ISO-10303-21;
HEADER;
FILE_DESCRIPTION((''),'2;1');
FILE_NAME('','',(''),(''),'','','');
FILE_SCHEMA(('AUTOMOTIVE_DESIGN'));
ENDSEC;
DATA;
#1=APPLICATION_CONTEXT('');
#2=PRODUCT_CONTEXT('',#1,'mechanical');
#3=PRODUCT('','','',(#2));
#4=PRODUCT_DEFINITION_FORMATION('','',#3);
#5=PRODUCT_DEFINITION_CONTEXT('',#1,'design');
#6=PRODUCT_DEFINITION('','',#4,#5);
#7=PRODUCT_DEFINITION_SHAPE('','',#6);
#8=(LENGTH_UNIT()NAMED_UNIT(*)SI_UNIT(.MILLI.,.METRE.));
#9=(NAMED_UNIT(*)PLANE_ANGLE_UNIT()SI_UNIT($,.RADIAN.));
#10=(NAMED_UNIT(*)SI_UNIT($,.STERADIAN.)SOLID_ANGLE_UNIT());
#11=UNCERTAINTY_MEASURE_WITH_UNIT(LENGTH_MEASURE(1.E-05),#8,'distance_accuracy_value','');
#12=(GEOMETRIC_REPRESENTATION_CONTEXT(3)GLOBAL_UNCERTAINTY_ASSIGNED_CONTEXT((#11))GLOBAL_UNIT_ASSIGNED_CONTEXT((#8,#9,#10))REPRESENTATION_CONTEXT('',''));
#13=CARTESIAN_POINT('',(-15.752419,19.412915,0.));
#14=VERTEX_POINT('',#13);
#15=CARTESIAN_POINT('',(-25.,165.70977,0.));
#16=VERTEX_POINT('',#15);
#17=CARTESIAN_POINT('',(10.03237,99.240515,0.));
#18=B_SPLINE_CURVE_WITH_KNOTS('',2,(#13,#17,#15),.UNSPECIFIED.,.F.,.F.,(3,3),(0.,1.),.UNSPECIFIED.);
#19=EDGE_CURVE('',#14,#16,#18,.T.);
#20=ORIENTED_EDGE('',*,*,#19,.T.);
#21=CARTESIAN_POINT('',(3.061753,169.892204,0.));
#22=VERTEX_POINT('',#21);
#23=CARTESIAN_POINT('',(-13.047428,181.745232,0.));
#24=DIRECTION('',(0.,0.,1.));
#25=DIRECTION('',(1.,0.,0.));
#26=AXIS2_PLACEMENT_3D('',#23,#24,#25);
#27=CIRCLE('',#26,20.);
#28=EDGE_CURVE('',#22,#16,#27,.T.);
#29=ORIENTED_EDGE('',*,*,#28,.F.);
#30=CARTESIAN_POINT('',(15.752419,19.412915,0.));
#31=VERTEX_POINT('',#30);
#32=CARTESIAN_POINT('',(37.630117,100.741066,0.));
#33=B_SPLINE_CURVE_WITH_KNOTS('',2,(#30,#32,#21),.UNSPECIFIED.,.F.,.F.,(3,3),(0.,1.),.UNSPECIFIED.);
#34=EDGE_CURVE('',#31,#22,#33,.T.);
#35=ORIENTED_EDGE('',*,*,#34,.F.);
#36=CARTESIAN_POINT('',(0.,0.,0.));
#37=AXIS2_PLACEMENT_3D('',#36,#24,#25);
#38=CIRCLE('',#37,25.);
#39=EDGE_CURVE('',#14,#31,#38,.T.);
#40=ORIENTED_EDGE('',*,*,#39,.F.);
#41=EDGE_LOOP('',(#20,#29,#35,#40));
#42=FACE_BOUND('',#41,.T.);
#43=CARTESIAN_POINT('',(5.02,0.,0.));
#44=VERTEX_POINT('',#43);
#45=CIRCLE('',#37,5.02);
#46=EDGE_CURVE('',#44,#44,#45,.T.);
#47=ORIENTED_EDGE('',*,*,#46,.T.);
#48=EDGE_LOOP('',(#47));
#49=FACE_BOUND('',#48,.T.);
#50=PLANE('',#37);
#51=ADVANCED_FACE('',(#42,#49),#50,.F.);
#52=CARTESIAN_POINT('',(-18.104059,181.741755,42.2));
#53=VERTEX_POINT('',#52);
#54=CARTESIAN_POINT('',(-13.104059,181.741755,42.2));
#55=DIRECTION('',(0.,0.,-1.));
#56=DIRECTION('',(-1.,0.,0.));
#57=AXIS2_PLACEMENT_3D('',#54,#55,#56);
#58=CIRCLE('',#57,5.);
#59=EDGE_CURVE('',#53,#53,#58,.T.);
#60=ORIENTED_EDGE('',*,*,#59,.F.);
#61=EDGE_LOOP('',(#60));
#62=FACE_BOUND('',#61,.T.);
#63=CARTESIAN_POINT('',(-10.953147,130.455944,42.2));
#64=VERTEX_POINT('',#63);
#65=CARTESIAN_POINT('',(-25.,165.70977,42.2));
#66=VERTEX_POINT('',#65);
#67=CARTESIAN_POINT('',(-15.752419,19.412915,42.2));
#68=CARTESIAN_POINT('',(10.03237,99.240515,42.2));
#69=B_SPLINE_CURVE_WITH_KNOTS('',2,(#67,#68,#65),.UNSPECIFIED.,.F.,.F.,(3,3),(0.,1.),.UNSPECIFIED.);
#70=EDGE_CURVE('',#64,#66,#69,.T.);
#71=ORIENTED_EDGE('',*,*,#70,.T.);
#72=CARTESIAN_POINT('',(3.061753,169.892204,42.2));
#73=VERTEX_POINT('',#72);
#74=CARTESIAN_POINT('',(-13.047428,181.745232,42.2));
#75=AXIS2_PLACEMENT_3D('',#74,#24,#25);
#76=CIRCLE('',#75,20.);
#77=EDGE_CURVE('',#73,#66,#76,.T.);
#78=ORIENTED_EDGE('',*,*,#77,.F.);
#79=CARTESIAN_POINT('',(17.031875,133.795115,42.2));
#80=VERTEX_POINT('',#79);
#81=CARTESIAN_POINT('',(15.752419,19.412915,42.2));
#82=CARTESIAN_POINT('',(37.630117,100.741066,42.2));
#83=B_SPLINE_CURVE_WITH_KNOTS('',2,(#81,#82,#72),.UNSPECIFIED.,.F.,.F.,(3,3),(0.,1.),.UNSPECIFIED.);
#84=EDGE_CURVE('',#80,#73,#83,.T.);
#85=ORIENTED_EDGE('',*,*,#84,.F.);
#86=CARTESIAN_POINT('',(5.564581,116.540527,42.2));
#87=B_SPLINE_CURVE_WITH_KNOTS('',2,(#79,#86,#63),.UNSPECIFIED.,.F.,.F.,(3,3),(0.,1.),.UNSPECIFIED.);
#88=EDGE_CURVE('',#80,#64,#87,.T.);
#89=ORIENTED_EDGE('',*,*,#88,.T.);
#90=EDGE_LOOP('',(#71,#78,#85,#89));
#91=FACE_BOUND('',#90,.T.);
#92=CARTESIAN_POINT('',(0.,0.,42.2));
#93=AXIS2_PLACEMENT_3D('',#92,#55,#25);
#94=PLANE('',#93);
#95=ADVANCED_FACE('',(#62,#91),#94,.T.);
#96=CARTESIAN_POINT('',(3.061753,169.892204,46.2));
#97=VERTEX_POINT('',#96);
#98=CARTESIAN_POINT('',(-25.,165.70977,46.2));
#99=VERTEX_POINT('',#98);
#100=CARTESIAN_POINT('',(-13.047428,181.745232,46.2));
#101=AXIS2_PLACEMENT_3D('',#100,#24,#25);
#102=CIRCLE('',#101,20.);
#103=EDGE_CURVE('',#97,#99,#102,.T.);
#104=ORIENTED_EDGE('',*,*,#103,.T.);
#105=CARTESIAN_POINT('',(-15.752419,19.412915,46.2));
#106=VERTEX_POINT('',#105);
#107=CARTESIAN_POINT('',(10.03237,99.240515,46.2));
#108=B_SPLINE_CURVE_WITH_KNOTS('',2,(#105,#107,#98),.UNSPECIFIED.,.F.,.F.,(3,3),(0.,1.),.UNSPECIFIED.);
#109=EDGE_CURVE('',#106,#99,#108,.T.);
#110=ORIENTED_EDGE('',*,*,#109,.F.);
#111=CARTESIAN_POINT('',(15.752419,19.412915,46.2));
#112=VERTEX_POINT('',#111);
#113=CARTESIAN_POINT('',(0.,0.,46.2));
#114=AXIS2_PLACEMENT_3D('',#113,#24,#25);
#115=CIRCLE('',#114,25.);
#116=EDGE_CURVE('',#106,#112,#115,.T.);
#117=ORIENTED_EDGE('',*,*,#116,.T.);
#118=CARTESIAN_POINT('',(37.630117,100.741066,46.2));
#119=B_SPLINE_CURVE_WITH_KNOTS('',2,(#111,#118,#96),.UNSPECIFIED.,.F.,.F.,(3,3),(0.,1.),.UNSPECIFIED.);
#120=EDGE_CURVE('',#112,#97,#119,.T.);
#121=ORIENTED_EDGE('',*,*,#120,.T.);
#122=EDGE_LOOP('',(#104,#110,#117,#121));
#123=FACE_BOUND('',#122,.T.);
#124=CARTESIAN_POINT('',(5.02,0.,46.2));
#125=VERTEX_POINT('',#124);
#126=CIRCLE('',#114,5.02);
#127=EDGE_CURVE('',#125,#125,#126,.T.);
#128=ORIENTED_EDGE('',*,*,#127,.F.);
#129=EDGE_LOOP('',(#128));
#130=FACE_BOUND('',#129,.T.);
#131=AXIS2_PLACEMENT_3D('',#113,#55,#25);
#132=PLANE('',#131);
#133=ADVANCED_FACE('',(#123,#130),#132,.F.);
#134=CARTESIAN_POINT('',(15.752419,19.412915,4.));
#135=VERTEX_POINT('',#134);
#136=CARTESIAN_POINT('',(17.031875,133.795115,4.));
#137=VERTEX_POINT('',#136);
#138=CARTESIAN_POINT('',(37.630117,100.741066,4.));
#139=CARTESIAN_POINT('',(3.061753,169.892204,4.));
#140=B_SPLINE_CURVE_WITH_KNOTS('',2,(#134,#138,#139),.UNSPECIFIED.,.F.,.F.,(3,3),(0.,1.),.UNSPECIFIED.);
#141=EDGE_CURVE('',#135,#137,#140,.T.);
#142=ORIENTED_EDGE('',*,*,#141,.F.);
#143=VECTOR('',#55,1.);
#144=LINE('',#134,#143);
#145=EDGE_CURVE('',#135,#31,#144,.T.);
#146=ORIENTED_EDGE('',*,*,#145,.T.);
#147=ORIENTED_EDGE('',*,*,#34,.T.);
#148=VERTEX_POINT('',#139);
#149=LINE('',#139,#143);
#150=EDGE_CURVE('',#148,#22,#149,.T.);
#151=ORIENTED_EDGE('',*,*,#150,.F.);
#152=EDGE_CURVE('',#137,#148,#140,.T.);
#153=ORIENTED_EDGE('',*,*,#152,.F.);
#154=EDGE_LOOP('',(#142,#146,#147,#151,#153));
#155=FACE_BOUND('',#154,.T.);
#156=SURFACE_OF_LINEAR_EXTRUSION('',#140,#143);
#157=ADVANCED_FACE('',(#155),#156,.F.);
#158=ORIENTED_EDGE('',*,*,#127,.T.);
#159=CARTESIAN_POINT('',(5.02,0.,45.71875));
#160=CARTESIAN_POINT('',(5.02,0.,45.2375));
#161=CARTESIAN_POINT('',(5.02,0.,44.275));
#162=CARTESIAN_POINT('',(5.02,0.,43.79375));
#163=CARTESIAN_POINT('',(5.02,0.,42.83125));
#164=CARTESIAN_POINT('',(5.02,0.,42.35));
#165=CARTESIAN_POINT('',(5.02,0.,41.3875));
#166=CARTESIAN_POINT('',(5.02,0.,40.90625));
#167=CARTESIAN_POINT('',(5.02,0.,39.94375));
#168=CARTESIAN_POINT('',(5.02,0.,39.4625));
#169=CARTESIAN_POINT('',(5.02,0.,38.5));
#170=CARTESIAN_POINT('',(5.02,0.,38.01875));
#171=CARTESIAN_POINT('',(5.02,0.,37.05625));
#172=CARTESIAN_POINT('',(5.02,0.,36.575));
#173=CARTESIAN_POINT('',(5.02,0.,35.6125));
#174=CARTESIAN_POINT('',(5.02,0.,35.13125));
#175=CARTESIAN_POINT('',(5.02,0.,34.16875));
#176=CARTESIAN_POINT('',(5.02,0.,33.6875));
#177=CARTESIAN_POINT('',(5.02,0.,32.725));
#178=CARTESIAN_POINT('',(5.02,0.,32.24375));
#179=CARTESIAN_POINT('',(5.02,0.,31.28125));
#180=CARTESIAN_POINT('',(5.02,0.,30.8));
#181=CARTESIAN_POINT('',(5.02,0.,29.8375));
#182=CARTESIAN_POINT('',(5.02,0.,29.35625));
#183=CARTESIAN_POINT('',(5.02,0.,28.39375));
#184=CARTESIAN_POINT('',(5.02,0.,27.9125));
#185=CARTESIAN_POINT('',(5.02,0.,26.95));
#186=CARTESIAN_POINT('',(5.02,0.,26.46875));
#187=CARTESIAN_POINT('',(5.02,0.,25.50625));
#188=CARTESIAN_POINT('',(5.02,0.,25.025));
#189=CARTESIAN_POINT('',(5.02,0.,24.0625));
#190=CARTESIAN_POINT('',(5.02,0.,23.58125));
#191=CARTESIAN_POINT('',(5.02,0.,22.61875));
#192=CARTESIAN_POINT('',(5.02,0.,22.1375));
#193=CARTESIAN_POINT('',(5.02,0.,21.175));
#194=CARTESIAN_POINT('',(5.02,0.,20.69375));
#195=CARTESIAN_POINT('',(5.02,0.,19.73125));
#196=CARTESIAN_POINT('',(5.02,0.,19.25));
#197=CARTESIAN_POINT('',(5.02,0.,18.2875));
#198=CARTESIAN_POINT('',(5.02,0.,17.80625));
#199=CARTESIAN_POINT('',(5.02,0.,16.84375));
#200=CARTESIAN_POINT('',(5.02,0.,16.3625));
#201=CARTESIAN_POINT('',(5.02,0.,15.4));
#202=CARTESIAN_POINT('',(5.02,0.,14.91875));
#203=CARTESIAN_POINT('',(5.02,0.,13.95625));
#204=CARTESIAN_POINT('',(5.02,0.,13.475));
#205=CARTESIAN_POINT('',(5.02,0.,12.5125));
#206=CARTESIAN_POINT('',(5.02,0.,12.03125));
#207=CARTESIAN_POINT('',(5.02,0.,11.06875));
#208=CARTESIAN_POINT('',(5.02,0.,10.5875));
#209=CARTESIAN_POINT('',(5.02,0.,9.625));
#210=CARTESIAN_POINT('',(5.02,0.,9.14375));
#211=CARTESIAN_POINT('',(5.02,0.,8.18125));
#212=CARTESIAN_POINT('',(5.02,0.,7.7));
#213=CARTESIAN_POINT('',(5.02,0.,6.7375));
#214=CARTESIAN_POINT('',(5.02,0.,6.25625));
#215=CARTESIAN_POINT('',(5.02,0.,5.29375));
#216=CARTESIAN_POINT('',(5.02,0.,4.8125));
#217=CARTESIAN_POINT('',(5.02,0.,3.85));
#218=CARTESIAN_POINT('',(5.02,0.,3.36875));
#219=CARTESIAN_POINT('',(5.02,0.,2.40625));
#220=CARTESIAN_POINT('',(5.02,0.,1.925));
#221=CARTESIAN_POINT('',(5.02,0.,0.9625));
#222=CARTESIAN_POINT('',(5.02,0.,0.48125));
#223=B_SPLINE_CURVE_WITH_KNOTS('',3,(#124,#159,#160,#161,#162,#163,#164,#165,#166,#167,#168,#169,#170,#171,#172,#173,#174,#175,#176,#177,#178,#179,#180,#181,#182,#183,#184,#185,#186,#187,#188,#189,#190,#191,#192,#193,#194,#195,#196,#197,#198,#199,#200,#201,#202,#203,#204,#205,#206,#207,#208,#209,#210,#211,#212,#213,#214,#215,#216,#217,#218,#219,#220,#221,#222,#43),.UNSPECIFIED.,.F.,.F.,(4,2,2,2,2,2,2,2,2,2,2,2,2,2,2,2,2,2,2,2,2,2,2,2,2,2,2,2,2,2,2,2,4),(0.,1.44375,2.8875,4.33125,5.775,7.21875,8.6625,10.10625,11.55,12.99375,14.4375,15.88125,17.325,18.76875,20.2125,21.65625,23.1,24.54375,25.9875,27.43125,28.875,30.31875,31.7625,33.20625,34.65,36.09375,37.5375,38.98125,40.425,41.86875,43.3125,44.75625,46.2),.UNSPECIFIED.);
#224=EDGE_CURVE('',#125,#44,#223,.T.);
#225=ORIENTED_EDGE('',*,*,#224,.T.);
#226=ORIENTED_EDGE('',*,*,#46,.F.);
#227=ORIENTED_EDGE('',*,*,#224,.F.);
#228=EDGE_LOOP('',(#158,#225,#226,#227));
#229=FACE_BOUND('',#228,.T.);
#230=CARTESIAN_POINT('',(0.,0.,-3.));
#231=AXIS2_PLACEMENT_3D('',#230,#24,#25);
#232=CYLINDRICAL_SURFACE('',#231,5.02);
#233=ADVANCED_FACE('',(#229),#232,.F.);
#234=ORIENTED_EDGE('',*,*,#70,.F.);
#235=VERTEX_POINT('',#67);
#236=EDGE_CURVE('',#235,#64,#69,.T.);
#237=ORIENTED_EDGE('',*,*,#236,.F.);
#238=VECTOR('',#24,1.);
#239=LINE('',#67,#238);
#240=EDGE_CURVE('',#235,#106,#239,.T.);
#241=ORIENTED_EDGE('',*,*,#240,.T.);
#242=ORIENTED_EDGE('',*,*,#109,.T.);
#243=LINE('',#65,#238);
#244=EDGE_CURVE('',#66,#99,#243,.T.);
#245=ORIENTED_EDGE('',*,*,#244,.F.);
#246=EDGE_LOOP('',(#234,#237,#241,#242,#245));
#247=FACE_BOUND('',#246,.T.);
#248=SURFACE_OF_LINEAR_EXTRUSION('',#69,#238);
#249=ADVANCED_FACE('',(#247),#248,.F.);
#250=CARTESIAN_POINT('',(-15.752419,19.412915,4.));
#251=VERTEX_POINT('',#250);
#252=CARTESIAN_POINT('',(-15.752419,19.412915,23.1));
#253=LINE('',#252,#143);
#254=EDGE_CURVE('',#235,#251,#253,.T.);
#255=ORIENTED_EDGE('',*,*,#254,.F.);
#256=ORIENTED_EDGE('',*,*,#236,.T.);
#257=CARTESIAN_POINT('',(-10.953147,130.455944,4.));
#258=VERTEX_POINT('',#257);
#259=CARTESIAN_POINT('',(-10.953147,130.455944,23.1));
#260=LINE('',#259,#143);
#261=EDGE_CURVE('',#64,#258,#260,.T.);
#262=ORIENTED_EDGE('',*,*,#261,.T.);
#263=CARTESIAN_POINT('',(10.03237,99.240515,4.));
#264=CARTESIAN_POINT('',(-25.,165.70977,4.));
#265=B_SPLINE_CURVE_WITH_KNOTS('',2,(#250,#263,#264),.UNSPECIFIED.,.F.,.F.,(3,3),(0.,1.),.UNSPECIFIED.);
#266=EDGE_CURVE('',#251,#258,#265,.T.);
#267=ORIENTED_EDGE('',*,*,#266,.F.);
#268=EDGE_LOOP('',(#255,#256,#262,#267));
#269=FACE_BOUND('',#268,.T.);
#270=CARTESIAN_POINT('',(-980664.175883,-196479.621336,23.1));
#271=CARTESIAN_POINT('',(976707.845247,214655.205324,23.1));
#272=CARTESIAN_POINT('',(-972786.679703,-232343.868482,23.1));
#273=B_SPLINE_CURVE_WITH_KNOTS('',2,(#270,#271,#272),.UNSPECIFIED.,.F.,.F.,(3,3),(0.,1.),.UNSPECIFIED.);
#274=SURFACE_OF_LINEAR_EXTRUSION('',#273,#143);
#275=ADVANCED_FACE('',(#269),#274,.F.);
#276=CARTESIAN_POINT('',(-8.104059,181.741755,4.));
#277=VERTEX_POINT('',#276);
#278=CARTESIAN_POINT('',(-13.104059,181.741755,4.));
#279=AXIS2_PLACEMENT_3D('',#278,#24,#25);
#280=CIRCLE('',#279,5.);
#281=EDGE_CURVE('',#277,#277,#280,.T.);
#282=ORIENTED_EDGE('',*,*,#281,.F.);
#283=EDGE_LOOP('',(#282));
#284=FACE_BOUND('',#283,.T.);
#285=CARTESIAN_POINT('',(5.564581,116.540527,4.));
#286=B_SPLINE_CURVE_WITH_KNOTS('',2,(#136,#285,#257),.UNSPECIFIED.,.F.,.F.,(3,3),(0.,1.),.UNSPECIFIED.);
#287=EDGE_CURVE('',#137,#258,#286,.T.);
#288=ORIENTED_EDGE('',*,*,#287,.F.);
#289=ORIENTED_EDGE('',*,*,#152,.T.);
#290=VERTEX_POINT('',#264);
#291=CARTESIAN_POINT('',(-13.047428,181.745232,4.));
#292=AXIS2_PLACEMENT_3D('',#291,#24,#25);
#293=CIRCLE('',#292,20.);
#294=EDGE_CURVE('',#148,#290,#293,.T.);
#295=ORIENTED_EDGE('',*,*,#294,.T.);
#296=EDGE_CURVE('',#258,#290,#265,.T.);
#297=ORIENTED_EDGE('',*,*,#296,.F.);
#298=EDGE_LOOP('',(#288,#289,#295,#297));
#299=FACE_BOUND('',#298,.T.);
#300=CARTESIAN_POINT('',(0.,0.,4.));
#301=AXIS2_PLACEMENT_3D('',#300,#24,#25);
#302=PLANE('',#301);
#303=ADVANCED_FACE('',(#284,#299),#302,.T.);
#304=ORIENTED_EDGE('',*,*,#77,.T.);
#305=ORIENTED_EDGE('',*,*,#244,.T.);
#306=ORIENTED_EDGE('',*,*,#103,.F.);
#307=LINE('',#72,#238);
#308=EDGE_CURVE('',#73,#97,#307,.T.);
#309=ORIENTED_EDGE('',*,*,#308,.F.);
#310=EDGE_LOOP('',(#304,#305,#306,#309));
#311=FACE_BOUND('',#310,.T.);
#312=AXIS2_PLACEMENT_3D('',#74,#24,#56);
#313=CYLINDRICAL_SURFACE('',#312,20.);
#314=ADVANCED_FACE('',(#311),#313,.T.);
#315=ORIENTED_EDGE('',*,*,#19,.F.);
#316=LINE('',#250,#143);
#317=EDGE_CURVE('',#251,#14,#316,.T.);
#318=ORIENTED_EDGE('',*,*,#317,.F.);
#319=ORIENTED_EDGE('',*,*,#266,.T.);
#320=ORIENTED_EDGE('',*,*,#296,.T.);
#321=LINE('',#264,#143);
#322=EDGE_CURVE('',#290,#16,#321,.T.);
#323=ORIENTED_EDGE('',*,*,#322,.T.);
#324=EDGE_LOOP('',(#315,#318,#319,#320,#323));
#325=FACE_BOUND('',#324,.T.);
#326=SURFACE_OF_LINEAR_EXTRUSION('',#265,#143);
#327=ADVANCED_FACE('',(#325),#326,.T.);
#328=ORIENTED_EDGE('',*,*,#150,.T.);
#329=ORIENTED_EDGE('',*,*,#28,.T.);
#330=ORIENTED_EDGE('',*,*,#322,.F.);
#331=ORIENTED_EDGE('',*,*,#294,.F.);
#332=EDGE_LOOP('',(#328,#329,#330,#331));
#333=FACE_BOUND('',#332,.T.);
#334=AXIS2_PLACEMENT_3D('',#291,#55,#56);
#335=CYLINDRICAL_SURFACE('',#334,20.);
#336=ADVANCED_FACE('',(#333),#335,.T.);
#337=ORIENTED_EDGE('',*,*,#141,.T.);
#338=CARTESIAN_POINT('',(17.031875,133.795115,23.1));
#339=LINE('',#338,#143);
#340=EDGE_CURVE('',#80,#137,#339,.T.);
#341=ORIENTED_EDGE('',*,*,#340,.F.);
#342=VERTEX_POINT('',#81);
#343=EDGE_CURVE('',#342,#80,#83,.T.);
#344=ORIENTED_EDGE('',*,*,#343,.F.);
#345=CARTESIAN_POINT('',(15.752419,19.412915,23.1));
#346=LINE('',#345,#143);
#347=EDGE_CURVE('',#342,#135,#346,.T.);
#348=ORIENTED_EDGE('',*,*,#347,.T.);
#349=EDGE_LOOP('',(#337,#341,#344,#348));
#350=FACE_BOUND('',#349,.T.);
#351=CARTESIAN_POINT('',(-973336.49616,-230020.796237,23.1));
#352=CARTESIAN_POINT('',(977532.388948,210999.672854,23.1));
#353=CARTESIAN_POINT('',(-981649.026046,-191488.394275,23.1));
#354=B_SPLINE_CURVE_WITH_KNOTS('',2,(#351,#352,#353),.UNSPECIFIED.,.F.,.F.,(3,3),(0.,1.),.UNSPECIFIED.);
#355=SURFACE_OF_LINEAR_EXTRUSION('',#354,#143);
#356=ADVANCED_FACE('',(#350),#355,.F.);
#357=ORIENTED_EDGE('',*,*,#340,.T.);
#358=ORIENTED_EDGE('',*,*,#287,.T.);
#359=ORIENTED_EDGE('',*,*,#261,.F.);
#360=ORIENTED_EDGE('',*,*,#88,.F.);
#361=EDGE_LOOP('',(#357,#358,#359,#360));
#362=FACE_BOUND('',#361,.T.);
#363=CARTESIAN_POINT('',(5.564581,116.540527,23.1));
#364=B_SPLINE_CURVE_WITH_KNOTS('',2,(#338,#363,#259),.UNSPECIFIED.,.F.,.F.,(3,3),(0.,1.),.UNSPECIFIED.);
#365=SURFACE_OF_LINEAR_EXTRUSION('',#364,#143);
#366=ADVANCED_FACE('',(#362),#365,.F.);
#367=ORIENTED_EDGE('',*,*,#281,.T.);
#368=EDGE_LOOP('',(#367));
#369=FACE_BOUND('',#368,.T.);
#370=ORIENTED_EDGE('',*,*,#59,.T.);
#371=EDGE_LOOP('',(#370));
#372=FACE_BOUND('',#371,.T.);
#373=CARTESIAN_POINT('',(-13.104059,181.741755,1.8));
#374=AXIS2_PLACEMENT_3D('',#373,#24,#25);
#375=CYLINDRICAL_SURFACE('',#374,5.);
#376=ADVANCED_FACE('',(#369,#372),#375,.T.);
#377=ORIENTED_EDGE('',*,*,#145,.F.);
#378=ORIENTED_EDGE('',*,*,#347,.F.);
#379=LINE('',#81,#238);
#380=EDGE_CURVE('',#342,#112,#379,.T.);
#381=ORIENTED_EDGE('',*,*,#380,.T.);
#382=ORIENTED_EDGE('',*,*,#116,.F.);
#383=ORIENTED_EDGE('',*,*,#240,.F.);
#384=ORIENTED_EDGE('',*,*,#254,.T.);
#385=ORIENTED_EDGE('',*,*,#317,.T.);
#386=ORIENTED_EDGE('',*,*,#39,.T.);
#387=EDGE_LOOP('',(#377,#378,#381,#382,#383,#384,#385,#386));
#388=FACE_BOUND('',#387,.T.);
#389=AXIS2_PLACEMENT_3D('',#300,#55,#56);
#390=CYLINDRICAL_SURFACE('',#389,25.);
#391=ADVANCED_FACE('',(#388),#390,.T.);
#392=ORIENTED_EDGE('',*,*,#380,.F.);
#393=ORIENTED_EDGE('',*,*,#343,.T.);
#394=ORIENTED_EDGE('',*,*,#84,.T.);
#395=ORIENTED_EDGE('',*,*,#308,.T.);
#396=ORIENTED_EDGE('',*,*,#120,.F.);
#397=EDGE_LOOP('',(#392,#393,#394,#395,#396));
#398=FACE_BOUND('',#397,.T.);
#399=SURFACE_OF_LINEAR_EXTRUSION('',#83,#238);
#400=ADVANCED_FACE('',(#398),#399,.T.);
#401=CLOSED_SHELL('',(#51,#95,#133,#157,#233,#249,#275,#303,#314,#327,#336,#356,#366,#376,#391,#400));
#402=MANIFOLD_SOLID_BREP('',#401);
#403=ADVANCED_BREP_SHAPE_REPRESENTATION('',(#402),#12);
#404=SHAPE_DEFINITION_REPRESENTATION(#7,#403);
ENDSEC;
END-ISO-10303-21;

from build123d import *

# Parameters (mm, degrees)
SKETCH1_R                = 20
SKETCH1_R_2              = 25
BOSS_EXTRUDE1_DEPTH      = 4
BOSS_EXTRUDE2_DEPTH      = 19.1
SKETCH5_R                = 5.02
CUT_EXTRUDE1_DEPTH       = 49.2
SKETCH7_R                = 5
BOSS_EXTRUDE4_DEPTH      = 40.2
BOSS_EXTRUDE4_DEPTH_BACK = 2.2


with BuildPart() as part:
    # Sketch1 → Boss-Extrude1 (new body)
    with BuildSketch(Plane.XY):
        with Locations((-13.047428352, 181.745231989)):
            Circle(SKETCH1_R)
        with BuildLine():
            ThreePointArc((-15.752419285, 19.412915461), (0, 25), (15.752419285, 19.412915461))
            add(Edge.make_bspline(
                [(15.752419285, 19.412915461), (37.630116676, 100.741066361), (3.061753137, 169.892204032)],
                knots=[0, 0, 0, 1, 1, 1], degree=2))
            ThreePointArc((3.061753137, 169.892204032), (-10.099117092, 161.963739105), (-25, 165.709770319))
            add(Edge.make_bspline(
                [(-15.752419285, 19.412915461), (10.03237034, 99.240514814), (-25, 165.709770319)],
                knots=[0, 0, 0, 1, 1, 1], degree=2))
        make_face()
        Circle(SKETCH1_R_2)
    extrude(amount=BOSS_EXTRUDE1_DEPTH)

    # Sketch4 → Boss-Extrude2 (add)
    with BuildSketch(Plane.XY.offset(4)):
        with BuildLine():
            ThreePointArc((-15.752419292, 19.412915437), (1e-08, -24.999999987), (15.752419285, 19.412915461))
            add(Edge.make_bspline(
                [(15.752419285, 19.412915461), (32.045521078, 79.98089104), (17.031874688, 133.795114798)],
                knots=[0, 0, 0, 1, 1, 1], degree=2))
            add(Edge.make_bspline(
                [(-10.953146695, 130.455943826), (5.564580589, 116.540527234), (17.031874688, 133.795114798)],
                knots=[0, 0, 0, 1, 1, 1], degree=2))
            add(Edge.make_bspline(
                [(-10.953146695, 130.455943826), (3.367631556, 78.60702873), (-15.752419292, 19.412915437)],
                knots=[0, 0, 0, 1, 1, 1], degree=2))
        make_face()
    extrude(amount=BOSS_EXTRUDE2_DEPTH)

    # Mirror18: part across plane


with BuildPart() as part_1:
    add(part.part)
    add(part.part.mirror(Plane(origin=(4.301972293, 124.333028273, 23.1), x_dir=(1, 0, 0), z_dir=(0, 0, -1))))

    # Sketch5 → Cut-Extrude1 (cut)
    with BuildSketch(Plane.XY.offset(46.2)):
        Circle(SKETCH5_R)
    extrude(amount=-CUT_EXTRUDE1_DEPTH, mode=Mode.SUBTRACT)

    # Sketch7 → Boss-Extrude4 (add, two sides)
    with BuildSketch(Plane.XY.offset(4)) as boss_extrude4_sk:
        with Locations((-13.104058639, 181.741755044)):
            Circle(SKETCH7_R)
    extrude(amount=BOSS_EXTRUDE4_DEPTH)
    extrude(boss_extrude4_sk.sketch, amount=-BOSS_EXTRUDE4_DEPTH_BACK)


solid = part_1.part
